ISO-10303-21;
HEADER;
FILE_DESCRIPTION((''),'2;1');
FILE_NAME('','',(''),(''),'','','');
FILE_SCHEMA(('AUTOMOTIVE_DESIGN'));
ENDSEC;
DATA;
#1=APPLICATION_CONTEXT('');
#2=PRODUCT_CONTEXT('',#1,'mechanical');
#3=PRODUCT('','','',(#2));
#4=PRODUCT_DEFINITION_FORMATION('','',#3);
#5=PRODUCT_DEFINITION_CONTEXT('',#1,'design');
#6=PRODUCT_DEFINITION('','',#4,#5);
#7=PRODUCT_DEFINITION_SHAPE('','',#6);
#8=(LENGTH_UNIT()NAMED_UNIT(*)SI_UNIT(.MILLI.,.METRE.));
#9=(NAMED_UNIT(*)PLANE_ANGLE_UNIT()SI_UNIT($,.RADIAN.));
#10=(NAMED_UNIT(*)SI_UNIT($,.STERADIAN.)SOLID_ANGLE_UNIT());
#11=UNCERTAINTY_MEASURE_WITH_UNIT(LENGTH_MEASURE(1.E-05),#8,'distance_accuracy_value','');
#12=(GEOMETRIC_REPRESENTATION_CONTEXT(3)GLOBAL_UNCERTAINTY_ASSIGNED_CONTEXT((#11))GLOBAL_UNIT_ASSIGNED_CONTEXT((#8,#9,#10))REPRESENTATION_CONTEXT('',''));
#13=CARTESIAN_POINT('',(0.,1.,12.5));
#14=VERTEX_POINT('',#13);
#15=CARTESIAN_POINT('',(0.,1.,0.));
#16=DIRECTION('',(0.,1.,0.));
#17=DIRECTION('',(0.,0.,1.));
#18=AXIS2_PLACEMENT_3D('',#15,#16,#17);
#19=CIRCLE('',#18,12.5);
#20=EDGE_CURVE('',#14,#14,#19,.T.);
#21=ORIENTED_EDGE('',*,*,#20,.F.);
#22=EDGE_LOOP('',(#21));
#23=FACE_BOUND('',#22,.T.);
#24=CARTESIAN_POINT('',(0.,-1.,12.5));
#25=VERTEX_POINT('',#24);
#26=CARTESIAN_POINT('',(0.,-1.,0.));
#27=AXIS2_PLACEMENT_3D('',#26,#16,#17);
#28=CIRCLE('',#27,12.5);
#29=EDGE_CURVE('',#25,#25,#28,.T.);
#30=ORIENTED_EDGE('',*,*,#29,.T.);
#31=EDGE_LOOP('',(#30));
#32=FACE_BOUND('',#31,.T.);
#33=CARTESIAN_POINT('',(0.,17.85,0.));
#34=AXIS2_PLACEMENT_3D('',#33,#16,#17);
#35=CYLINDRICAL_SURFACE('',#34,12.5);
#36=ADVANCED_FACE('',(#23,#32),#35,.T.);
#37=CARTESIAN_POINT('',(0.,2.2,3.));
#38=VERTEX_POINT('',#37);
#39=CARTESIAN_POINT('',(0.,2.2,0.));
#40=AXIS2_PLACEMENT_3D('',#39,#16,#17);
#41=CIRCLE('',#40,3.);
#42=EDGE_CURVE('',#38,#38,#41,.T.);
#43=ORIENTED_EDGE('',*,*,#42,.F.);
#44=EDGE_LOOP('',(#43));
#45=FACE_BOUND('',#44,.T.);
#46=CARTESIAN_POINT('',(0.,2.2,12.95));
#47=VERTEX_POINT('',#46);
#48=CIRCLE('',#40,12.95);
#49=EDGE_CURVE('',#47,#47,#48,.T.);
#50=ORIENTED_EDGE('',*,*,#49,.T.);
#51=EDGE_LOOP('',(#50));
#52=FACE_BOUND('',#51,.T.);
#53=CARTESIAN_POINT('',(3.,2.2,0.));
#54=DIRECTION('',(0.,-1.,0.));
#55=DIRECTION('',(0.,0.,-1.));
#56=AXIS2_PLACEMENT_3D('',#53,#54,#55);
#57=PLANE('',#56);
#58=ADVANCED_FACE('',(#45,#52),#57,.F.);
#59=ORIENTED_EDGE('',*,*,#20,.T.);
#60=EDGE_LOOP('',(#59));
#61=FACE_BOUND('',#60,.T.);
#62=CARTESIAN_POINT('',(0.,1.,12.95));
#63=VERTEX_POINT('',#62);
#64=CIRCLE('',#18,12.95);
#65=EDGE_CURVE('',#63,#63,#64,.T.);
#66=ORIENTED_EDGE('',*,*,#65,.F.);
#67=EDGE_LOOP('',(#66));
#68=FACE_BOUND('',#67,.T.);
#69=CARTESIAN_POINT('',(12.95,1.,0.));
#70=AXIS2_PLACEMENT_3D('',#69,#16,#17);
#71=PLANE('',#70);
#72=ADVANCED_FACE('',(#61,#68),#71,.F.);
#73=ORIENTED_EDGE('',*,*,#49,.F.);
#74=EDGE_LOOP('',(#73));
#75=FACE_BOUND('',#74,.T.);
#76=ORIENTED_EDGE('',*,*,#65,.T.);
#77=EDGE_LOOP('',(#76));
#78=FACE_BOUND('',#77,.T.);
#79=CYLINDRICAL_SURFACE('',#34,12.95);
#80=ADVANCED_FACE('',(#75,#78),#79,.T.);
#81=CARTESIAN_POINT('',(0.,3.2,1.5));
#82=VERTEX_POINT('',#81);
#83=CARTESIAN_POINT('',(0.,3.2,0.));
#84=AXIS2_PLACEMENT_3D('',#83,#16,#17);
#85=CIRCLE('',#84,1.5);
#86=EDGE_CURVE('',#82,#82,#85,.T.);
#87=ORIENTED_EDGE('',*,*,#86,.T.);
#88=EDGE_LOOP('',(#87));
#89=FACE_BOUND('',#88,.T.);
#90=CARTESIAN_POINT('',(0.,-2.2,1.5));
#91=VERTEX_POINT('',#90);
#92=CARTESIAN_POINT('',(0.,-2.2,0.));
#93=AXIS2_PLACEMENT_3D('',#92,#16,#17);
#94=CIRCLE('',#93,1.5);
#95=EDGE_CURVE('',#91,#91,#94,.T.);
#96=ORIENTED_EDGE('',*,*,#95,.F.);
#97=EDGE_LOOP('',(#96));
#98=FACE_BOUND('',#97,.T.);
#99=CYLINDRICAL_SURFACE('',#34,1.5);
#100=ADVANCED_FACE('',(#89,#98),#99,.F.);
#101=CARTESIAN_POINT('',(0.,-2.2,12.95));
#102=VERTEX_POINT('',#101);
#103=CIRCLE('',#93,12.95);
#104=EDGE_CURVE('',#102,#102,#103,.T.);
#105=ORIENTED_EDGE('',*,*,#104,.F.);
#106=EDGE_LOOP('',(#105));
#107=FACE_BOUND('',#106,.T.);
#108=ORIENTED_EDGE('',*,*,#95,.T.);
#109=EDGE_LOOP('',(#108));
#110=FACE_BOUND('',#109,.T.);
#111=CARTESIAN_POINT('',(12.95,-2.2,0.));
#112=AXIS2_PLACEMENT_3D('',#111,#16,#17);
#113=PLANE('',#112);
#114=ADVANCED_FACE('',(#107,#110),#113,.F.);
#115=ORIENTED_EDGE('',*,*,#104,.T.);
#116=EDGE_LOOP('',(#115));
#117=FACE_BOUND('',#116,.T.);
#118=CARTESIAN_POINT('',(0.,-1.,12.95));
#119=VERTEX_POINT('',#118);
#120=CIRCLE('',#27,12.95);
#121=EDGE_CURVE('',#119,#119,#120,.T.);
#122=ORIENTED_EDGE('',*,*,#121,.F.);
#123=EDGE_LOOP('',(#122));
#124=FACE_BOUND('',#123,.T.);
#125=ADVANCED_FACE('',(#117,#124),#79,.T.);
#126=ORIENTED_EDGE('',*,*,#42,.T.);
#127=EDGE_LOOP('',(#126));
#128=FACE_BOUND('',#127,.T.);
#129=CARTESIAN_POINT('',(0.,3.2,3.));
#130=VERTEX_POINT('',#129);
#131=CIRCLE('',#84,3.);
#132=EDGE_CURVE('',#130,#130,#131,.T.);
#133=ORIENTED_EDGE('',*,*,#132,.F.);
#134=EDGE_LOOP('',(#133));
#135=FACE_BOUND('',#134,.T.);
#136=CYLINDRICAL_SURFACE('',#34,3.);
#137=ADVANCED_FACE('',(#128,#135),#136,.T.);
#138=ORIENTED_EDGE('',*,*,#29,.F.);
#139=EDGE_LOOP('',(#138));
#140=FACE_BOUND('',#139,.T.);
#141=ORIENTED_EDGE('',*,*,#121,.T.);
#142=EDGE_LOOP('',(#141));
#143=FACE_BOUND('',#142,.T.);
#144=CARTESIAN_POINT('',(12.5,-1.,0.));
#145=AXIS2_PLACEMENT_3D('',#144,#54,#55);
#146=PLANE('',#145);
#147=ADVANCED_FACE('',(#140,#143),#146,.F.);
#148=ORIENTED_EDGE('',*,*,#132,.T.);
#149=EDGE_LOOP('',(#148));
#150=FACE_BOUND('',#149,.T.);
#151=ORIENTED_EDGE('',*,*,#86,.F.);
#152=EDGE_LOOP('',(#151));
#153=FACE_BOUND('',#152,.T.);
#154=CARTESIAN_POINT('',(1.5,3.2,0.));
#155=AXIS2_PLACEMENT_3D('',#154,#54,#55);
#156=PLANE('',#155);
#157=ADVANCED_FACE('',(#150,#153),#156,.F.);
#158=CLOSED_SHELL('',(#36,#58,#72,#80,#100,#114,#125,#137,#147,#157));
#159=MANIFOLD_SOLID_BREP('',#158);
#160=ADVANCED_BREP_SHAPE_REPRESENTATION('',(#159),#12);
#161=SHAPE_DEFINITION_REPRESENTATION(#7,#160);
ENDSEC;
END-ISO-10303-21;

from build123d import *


with BuildPart() as part:
    # Esquisse1 → Révolution2 (revolve)
    with BuildSketch(Plane.XY):
        Polygon((12.95, -2.2), (1.5, -2.2), (1.5, 3.2), (3, 3.2), (3, 2.2), (12.95, 2.2), (12.95, 1), (12.5, 1), (12.5, -1), (12.95, -1), align=None)
    revolve(axis=Axis((0, 17.85, 0), (0, -1, 0)))


solid = part.part
